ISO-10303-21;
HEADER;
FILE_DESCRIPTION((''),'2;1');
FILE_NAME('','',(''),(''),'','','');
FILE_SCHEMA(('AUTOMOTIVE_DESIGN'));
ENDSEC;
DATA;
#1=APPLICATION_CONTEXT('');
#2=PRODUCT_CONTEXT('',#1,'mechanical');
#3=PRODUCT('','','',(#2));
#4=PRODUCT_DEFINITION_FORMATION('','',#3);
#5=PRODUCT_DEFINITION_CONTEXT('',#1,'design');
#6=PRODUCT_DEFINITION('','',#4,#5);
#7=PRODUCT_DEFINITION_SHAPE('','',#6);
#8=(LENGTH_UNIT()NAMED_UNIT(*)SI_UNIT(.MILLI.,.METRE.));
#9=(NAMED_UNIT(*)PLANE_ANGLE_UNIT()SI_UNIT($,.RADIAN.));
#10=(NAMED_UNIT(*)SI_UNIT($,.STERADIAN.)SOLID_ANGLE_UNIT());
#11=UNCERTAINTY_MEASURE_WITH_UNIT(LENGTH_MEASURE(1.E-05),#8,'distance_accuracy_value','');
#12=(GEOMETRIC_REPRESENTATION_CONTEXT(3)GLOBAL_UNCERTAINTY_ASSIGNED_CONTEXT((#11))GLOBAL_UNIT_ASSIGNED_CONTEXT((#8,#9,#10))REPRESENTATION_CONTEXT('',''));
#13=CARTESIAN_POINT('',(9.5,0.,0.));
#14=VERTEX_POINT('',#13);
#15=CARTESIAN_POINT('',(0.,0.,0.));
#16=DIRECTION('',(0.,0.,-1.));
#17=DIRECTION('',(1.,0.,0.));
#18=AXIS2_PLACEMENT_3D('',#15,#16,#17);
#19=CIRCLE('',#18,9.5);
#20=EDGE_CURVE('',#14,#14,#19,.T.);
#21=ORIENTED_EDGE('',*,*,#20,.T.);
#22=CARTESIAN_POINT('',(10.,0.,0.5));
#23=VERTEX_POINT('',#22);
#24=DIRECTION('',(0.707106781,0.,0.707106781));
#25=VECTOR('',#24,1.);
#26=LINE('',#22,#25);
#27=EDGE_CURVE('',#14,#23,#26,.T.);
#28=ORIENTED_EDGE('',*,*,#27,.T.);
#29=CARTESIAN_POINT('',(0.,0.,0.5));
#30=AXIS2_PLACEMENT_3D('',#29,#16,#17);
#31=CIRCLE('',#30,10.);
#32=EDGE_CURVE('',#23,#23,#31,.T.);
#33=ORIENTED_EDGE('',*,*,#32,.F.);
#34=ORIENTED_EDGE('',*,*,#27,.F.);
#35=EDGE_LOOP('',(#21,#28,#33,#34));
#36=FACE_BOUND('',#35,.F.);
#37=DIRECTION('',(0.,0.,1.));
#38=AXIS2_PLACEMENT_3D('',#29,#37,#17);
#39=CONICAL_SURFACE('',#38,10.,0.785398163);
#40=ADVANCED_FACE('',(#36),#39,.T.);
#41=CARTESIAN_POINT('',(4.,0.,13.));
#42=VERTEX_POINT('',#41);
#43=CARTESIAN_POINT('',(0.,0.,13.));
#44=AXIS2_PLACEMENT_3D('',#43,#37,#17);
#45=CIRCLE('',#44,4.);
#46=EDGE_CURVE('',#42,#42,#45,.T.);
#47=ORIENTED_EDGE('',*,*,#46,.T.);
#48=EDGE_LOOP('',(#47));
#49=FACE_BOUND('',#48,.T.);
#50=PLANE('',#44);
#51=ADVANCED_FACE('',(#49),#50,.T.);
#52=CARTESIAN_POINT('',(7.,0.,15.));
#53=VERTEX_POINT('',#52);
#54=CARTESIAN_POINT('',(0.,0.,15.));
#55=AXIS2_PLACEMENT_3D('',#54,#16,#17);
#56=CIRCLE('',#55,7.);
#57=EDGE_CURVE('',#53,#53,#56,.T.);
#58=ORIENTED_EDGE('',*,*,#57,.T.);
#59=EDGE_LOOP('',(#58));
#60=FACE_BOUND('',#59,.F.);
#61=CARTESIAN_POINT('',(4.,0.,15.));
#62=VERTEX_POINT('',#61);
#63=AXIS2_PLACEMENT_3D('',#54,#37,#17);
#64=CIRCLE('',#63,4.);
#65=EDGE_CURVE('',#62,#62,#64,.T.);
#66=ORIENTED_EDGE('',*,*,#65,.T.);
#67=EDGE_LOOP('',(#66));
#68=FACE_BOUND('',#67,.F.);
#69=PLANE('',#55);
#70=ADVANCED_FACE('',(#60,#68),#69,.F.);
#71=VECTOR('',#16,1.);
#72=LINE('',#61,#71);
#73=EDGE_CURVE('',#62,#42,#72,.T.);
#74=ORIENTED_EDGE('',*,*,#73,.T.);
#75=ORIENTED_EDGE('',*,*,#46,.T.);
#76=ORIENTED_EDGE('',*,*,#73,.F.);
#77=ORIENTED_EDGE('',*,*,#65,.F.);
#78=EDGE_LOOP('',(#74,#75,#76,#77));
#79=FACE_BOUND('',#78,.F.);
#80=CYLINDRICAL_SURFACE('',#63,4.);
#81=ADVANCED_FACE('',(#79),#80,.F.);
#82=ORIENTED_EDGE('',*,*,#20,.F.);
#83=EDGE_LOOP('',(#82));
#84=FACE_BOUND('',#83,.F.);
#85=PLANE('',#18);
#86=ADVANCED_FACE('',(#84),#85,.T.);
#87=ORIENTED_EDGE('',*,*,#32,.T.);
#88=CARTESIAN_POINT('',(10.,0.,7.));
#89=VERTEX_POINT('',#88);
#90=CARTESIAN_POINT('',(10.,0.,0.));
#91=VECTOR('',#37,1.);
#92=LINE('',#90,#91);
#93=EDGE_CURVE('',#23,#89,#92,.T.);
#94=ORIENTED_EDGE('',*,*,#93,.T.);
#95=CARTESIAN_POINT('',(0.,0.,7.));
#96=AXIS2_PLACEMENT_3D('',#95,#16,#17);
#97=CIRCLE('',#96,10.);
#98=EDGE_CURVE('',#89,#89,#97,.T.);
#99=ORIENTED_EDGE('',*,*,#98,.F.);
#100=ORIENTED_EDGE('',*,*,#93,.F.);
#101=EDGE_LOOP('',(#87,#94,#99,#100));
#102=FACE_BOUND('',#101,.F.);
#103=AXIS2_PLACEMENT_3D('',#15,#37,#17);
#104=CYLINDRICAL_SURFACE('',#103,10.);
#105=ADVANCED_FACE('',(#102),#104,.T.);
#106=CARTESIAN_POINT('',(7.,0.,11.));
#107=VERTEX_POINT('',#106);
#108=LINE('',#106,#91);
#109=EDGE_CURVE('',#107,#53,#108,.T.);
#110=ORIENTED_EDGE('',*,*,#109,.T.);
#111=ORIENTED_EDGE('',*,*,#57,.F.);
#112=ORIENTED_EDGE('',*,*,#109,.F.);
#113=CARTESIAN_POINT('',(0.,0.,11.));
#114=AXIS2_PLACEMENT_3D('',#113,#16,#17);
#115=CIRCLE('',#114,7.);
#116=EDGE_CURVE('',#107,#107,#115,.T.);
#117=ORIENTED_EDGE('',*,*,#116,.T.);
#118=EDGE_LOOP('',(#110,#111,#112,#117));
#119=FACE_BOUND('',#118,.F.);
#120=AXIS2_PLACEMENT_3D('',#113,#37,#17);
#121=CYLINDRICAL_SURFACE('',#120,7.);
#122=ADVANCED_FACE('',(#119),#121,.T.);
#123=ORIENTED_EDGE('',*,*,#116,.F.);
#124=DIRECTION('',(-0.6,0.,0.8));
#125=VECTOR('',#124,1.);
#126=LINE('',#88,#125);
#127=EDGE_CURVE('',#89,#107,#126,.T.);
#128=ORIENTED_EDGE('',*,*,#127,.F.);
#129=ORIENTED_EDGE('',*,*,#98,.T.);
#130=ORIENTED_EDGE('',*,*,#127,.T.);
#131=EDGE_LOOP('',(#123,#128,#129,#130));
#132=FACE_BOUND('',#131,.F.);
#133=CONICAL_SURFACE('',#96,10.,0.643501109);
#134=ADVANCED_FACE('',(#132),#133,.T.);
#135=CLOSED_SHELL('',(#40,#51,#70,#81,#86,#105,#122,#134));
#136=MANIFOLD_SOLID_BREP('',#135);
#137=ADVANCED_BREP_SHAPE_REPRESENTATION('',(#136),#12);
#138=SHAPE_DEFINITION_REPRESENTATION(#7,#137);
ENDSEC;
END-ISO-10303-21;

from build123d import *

# Parameters (mm, degrees)
F2_R     = 4
F3_DEPTH = 2
F4_SIZE  = 0.5


with BuildPart() as f1:
    # F0 (on Front) → F1 (revolve)
    with BuildSketch(Plane.XZ):
        Polygon((0, 15), (0, 0), (10, 0), (10, 7), (7, 11), (7, 15), align=None)
    revolve(axis=Axis((0, 0, 7.5), (0, 0, -1)))

    # F2 (on face) → F3 (cut)
    with BuildSketch(Plane.XY.offset(15)):
        Circle(F2_R)
    extrude(amount=-F3_DEPTH, mode=Mode.SUBTRACT)

    # F4
    f4_edges = [f1.edges().sort_by_distance(p)[0] for p in [
        (-10, 0, 0),
    ]]
    chamfer(f4_edges, length=F4_SIZE)


solid = f1.part
